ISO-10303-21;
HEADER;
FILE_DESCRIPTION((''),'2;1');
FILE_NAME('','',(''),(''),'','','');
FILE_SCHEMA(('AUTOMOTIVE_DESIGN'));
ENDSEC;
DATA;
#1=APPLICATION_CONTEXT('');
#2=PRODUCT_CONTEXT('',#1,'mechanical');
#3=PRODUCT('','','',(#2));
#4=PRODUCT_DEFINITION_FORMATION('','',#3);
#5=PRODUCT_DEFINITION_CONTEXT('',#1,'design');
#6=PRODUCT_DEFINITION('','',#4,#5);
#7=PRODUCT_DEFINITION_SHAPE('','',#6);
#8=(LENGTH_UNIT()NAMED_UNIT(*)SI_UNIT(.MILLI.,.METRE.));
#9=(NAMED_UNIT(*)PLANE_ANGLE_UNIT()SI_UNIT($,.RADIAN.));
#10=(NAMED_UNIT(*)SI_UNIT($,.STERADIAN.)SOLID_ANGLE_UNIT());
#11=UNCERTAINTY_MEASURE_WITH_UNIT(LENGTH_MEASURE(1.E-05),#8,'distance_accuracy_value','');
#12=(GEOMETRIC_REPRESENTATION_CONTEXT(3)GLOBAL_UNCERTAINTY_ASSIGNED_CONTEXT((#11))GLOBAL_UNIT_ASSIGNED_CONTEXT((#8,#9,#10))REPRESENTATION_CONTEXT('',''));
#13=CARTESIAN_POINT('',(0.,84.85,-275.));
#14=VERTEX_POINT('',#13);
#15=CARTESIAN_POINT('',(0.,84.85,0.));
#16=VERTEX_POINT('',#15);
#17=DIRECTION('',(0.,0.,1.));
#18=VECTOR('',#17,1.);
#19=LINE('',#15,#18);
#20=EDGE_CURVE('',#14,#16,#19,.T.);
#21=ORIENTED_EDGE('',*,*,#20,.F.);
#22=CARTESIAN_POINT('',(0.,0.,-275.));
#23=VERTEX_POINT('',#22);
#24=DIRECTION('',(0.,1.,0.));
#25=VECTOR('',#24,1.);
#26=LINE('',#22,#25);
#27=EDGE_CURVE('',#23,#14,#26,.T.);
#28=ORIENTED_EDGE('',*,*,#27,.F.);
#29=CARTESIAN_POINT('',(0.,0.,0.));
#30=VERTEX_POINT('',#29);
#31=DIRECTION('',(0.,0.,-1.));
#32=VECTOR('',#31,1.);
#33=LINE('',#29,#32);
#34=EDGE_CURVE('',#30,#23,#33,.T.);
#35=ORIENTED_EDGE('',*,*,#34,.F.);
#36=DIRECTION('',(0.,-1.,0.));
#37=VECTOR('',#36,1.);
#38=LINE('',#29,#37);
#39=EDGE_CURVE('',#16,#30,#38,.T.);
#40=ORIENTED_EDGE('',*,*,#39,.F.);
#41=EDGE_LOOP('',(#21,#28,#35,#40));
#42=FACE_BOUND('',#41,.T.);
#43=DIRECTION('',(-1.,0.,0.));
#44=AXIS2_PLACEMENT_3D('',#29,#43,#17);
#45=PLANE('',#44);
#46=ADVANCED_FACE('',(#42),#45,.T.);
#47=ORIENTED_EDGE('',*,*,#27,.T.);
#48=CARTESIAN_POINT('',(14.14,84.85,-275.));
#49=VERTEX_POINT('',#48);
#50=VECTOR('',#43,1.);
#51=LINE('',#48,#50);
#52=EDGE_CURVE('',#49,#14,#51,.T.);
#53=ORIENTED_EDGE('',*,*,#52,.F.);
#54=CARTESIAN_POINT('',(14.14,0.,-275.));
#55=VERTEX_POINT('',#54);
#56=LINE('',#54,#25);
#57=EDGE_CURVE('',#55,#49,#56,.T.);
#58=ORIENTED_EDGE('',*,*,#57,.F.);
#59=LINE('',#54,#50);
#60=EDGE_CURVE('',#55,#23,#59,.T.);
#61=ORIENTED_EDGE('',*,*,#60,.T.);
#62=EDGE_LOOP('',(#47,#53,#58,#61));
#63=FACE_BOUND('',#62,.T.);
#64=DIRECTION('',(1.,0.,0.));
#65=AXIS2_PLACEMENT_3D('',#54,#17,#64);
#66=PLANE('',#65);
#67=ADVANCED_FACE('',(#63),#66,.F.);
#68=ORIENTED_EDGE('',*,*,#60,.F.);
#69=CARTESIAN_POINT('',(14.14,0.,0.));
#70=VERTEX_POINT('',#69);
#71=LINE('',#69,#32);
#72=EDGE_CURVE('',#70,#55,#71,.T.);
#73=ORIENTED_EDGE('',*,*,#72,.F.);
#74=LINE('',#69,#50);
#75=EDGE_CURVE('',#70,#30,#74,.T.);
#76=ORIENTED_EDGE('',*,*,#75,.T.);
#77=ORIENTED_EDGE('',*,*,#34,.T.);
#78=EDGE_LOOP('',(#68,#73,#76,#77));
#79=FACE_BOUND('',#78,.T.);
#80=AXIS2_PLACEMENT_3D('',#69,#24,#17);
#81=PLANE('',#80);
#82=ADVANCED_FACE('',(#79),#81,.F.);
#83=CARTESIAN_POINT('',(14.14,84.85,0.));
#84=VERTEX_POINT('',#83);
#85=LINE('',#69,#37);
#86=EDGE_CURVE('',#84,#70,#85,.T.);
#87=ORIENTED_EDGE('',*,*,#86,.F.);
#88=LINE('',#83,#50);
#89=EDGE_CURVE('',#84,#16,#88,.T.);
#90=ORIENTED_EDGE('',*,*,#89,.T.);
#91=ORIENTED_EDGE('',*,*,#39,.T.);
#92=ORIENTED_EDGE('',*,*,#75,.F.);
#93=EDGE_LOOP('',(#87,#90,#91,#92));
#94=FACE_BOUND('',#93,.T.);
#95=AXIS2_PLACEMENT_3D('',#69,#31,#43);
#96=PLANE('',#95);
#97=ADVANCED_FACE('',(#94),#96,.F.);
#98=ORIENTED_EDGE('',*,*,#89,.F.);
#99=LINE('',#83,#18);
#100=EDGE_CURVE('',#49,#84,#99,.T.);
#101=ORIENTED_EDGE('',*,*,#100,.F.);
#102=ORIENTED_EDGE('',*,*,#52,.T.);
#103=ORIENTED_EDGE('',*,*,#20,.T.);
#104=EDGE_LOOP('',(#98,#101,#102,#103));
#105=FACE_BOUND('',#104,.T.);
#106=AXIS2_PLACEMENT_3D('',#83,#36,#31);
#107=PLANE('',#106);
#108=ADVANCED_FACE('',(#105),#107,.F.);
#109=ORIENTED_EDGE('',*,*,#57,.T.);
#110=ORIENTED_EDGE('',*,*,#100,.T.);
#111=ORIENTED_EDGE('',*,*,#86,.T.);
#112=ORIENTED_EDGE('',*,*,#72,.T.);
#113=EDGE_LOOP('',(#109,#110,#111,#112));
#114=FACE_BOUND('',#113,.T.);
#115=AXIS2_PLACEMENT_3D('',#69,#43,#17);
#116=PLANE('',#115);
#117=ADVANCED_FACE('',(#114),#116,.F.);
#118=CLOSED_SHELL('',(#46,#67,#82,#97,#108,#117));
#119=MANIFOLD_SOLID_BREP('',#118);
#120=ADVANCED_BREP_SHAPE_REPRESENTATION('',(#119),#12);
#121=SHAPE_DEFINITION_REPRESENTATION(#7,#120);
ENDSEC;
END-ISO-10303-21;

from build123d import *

# Parameters (mm, degrees)
IZIM1_W                     = 275
IZIM1_H                     = 84.85
Y_KSEKLIK_EKSTR_ZYON1_DEPTH = 14.14


with BuildPart() as part:
    # Çizim1 → Yükseklik-Ekstrüzyon1 (new body)
    with BuildSketch(Plane(origin=(0, 0, 0), x_dir=(0, 0, -1), z_dir=(1, 0, 0))):
        with Locations((137.5, 42.425)):
            Rectangle(IZIM1_W, IZIM1_H)
    extrude(amount=Y_KSEKLIK_EKSTR_ZYON1_DEPTH)


solid = part.part
